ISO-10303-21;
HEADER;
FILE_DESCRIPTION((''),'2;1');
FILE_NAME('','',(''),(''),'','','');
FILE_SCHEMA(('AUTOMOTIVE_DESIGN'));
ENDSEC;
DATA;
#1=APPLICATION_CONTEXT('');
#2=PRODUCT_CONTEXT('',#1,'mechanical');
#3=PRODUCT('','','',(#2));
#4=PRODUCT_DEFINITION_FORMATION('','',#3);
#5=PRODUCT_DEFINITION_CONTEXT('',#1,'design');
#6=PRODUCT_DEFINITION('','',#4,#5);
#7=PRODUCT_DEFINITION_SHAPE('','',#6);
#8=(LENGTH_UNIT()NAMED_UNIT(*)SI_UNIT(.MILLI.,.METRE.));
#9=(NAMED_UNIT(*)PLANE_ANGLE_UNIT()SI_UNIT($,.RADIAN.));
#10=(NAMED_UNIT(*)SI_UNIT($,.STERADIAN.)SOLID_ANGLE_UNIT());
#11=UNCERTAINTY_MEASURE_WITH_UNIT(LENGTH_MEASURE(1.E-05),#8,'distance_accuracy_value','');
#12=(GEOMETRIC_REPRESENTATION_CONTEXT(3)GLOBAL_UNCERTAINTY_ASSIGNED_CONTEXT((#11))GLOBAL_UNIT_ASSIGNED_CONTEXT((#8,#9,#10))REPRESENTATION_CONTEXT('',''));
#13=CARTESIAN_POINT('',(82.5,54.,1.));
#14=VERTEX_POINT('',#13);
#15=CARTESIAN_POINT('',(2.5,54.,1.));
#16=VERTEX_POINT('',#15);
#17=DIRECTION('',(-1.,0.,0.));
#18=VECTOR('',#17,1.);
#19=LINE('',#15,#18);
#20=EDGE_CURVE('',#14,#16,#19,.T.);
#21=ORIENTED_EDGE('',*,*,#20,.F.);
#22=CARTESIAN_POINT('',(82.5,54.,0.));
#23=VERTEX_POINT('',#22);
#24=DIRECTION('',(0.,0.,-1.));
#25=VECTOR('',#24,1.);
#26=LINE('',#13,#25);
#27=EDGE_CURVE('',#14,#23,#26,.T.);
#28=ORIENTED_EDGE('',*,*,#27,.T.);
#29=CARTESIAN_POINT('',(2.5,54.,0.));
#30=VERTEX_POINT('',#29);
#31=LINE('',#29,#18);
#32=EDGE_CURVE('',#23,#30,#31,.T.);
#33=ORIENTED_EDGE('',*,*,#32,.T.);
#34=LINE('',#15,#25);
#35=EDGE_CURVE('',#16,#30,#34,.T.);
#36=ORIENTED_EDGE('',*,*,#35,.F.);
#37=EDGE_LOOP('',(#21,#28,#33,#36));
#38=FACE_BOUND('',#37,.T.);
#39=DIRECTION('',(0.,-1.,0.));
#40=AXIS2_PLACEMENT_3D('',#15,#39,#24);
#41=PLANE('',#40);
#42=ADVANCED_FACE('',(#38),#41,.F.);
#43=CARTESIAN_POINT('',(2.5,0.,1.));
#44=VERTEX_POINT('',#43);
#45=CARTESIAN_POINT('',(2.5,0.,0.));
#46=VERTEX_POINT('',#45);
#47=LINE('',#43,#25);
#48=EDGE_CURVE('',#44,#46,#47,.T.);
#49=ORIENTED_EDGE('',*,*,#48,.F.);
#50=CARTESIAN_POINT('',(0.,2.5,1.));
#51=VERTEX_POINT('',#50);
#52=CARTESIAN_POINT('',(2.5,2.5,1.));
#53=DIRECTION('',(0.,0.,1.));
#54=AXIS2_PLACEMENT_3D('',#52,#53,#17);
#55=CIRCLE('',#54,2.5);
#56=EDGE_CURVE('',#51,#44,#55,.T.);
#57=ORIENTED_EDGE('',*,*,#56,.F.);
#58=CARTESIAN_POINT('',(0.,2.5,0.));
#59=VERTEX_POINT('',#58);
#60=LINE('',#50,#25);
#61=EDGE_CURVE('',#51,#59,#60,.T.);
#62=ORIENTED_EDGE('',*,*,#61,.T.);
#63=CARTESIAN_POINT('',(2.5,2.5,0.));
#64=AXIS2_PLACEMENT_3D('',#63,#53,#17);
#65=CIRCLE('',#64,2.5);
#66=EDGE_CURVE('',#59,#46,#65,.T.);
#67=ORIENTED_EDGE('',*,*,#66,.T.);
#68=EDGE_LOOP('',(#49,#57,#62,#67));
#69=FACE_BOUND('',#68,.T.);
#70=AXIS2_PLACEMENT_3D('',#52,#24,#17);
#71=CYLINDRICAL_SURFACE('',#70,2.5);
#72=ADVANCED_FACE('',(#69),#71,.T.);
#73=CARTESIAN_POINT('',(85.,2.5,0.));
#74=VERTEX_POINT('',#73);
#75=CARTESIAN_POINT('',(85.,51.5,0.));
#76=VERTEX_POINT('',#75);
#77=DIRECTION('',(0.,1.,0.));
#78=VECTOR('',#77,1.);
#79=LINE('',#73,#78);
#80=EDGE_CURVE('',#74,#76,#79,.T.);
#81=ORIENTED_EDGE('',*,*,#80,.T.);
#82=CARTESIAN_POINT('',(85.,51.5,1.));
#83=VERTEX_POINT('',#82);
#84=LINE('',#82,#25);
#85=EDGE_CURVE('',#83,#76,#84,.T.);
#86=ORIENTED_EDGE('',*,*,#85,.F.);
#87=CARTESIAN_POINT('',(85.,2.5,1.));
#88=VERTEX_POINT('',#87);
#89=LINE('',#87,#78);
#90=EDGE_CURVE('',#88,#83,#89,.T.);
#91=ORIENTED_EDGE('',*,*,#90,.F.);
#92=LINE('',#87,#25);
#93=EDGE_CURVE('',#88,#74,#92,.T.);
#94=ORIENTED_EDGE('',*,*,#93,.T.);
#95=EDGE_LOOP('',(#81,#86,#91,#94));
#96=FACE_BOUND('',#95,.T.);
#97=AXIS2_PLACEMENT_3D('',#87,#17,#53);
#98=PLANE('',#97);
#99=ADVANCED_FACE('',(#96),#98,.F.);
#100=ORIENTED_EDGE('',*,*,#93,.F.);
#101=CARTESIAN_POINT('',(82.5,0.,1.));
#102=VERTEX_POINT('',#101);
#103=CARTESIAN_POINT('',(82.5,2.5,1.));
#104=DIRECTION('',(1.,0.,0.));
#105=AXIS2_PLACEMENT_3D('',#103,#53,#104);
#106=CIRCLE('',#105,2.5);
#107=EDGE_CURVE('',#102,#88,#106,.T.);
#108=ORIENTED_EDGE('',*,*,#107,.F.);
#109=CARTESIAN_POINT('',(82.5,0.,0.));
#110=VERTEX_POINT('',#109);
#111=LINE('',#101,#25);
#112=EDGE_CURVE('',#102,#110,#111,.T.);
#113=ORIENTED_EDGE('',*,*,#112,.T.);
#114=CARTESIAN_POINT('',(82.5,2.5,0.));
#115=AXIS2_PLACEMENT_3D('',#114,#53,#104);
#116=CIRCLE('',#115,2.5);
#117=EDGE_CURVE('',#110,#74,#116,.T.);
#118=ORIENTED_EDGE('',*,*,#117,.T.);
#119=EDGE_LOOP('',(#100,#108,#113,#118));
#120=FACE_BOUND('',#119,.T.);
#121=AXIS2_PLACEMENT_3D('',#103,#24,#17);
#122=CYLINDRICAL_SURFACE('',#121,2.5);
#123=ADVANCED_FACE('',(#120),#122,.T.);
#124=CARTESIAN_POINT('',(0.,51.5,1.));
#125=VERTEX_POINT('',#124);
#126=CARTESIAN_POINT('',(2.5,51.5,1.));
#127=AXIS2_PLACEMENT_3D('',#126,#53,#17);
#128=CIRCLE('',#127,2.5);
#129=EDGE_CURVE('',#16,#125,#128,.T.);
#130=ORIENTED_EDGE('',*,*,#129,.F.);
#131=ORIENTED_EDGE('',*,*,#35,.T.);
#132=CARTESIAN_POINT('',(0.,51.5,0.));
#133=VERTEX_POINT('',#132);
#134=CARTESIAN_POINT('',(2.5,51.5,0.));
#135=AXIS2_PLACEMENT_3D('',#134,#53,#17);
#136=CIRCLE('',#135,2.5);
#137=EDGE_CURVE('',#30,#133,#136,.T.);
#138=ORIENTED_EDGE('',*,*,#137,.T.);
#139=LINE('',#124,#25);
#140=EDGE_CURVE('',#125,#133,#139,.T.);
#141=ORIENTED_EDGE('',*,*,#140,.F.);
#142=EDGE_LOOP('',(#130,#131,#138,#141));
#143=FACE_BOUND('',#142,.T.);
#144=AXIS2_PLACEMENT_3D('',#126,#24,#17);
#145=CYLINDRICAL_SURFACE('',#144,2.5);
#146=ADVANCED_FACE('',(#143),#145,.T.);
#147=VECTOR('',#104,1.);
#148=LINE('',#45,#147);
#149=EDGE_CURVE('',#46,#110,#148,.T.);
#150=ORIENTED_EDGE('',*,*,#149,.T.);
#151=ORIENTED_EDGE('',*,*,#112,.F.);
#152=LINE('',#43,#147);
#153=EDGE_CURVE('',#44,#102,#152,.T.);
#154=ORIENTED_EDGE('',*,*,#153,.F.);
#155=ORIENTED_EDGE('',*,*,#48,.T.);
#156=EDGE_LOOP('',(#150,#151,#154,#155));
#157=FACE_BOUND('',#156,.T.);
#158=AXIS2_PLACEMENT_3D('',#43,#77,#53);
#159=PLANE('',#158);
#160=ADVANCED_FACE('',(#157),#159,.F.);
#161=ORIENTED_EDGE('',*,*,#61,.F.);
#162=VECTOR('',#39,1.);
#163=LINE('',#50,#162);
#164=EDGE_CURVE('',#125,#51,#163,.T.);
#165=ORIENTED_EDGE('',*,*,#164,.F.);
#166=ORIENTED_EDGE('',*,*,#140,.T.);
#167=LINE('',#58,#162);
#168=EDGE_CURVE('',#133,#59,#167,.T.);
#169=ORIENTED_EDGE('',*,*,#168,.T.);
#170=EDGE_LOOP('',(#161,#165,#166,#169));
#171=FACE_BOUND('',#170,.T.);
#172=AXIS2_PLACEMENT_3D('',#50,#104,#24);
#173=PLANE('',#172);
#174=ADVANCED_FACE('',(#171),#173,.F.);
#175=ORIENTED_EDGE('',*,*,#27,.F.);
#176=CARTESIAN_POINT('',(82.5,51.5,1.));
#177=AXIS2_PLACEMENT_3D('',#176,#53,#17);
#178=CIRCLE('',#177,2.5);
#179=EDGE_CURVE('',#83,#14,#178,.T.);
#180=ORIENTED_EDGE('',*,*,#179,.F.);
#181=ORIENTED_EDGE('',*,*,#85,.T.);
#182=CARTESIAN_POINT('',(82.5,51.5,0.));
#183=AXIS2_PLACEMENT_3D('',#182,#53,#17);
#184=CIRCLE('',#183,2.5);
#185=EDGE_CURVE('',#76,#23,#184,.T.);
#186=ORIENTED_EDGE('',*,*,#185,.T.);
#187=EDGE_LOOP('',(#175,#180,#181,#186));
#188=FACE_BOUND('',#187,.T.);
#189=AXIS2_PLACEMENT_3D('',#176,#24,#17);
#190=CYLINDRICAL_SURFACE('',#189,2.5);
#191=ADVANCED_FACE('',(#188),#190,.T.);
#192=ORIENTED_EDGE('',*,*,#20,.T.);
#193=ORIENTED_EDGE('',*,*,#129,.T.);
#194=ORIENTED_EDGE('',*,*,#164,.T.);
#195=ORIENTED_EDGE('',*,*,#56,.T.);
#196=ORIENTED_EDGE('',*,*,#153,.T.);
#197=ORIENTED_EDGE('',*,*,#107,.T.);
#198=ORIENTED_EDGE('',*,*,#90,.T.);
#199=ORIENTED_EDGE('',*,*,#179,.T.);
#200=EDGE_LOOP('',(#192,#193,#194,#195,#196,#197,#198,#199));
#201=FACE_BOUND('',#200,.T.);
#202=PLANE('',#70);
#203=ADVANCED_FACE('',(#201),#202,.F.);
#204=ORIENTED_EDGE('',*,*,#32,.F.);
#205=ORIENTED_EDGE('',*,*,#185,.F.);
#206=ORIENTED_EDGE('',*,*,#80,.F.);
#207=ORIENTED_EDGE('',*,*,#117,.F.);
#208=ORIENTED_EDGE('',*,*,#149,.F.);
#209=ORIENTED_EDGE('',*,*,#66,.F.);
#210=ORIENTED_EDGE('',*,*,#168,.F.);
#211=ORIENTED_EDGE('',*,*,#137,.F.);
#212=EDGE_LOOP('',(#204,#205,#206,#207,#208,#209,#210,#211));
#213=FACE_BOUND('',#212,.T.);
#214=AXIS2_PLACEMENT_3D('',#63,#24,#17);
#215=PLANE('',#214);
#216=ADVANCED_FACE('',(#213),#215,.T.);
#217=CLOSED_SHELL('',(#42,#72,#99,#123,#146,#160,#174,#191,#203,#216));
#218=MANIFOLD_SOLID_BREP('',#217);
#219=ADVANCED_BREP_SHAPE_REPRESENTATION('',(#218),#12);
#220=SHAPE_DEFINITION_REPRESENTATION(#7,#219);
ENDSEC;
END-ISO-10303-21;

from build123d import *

# Parameters (mm, degrees)
BOSS_EXTRUDE1_DEPTH = 1


with BuildPart() as part:
    # Sketch1 → Boss-Extrude1 (new body)
    with BuildSketch(Plane.XY):
        with BuildLine():
            Line((2.5, 0), (82.5, 0))
            ThreePointArc((82.5, 0), (84.267766953, 0.732233047), (85, 2.5))
            Line((85, 2.5), (85, 51.5))
            ThreePointArc((85, 51.5), (84.267766953, 53.267766953), (82.5, 54))
            Line((82.5, 54), (2.5, 54))
            ThreePointArc((2.5, 54), (0.732233047, 53.267766953), (0, 51.5))
            Line((0, 51.5), (0, 2.5))
            ThreePointArc((0, 2.5), (0.732233047, 0.732233047), (2.5, 0))
        make_face()
    extrude(amount=BOSS_EXTRUDE1_DEPTH)


solid = part.part
